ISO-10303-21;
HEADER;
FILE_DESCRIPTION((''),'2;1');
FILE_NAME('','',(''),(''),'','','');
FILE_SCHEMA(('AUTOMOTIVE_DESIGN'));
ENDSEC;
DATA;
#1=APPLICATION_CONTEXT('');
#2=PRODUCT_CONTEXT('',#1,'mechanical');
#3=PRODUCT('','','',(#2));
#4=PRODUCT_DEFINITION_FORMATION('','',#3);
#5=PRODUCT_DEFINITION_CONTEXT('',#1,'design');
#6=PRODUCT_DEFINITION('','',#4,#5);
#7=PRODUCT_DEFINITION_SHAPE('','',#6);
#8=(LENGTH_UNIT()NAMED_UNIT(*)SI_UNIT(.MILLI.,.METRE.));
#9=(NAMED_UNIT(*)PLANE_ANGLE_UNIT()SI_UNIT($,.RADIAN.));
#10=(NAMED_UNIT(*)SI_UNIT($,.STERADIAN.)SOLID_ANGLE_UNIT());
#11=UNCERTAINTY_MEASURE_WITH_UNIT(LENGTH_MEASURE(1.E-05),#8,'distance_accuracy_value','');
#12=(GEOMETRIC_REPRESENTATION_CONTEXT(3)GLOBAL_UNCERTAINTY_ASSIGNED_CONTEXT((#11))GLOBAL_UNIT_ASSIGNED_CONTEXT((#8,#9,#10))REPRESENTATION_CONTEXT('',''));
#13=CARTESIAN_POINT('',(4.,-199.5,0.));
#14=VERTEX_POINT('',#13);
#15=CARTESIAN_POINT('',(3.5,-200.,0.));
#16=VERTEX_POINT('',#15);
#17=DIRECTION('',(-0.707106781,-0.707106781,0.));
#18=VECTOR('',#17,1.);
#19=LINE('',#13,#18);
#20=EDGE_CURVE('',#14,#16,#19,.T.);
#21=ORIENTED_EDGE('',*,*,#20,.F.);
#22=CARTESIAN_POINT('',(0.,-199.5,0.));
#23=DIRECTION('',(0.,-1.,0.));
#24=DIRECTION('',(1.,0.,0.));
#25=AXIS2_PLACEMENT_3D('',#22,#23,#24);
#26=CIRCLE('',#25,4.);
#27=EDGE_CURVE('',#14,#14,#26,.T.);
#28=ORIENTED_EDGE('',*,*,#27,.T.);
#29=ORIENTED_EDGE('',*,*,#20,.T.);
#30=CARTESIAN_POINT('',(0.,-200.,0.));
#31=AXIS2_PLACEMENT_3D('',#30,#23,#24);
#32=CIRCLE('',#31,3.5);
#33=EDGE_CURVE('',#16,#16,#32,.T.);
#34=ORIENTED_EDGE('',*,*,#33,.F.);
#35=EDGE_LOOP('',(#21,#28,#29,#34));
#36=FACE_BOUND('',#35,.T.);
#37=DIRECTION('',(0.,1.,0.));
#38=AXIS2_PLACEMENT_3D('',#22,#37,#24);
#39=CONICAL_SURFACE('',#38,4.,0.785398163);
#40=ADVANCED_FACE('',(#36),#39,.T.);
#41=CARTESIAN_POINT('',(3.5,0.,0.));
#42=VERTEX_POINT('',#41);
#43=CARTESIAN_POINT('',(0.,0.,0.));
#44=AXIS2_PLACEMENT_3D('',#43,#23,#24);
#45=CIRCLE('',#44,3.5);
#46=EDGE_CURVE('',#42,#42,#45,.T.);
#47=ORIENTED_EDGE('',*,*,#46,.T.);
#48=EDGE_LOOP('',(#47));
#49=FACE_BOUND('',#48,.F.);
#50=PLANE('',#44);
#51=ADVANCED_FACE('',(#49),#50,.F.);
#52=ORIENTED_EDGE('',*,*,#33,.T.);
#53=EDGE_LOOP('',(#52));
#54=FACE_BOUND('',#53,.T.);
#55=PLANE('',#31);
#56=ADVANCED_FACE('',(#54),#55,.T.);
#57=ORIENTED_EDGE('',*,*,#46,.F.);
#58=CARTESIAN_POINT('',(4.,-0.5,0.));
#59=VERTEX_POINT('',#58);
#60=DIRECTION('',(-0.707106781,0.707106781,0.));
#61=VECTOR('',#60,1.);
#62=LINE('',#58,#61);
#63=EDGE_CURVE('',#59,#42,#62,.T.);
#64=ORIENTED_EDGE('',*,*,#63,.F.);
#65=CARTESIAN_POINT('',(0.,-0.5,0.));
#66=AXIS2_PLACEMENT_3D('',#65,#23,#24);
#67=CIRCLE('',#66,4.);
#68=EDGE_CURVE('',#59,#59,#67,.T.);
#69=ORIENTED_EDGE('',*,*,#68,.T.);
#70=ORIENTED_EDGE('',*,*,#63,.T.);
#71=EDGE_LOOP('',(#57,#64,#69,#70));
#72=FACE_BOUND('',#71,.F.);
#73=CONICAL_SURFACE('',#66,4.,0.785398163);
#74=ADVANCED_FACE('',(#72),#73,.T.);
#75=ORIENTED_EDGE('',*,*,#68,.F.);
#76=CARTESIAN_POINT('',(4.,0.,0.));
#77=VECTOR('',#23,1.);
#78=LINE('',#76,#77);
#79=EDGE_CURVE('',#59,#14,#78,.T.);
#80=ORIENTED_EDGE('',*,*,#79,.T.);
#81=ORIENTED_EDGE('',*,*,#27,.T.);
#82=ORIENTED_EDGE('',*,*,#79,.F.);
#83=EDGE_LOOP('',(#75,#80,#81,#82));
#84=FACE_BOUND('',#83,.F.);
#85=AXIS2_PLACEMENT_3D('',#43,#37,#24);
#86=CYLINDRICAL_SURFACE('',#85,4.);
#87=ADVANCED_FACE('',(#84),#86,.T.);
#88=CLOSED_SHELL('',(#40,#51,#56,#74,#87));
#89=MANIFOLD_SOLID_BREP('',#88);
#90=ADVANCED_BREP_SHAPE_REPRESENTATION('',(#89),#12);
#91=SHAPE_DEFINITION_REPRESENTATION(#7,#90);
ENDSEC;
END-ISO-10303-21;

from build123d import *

# Parameters (mm, degrees)
F0_R     = 4
F1_DEPTH = 200
F2_SIZE  = 0.5


with BuildPart() as f1:
    # F0 (on Front) → F1 (new body)
    with BuildSketch(Plane.XZ):
        Circle(F0_R)
    extrude(amount=F1_DEPTH)

    # F2
    f2_edges = [f1.edges().sort_by_distance(p)[0] for p in [
        (4, -100, 0),
        (-4, 0, 0),
        (-4, -200, 0),
    ]]
    chamfer(f2_edges, length=F2_SIZE)


solid = f1.part
